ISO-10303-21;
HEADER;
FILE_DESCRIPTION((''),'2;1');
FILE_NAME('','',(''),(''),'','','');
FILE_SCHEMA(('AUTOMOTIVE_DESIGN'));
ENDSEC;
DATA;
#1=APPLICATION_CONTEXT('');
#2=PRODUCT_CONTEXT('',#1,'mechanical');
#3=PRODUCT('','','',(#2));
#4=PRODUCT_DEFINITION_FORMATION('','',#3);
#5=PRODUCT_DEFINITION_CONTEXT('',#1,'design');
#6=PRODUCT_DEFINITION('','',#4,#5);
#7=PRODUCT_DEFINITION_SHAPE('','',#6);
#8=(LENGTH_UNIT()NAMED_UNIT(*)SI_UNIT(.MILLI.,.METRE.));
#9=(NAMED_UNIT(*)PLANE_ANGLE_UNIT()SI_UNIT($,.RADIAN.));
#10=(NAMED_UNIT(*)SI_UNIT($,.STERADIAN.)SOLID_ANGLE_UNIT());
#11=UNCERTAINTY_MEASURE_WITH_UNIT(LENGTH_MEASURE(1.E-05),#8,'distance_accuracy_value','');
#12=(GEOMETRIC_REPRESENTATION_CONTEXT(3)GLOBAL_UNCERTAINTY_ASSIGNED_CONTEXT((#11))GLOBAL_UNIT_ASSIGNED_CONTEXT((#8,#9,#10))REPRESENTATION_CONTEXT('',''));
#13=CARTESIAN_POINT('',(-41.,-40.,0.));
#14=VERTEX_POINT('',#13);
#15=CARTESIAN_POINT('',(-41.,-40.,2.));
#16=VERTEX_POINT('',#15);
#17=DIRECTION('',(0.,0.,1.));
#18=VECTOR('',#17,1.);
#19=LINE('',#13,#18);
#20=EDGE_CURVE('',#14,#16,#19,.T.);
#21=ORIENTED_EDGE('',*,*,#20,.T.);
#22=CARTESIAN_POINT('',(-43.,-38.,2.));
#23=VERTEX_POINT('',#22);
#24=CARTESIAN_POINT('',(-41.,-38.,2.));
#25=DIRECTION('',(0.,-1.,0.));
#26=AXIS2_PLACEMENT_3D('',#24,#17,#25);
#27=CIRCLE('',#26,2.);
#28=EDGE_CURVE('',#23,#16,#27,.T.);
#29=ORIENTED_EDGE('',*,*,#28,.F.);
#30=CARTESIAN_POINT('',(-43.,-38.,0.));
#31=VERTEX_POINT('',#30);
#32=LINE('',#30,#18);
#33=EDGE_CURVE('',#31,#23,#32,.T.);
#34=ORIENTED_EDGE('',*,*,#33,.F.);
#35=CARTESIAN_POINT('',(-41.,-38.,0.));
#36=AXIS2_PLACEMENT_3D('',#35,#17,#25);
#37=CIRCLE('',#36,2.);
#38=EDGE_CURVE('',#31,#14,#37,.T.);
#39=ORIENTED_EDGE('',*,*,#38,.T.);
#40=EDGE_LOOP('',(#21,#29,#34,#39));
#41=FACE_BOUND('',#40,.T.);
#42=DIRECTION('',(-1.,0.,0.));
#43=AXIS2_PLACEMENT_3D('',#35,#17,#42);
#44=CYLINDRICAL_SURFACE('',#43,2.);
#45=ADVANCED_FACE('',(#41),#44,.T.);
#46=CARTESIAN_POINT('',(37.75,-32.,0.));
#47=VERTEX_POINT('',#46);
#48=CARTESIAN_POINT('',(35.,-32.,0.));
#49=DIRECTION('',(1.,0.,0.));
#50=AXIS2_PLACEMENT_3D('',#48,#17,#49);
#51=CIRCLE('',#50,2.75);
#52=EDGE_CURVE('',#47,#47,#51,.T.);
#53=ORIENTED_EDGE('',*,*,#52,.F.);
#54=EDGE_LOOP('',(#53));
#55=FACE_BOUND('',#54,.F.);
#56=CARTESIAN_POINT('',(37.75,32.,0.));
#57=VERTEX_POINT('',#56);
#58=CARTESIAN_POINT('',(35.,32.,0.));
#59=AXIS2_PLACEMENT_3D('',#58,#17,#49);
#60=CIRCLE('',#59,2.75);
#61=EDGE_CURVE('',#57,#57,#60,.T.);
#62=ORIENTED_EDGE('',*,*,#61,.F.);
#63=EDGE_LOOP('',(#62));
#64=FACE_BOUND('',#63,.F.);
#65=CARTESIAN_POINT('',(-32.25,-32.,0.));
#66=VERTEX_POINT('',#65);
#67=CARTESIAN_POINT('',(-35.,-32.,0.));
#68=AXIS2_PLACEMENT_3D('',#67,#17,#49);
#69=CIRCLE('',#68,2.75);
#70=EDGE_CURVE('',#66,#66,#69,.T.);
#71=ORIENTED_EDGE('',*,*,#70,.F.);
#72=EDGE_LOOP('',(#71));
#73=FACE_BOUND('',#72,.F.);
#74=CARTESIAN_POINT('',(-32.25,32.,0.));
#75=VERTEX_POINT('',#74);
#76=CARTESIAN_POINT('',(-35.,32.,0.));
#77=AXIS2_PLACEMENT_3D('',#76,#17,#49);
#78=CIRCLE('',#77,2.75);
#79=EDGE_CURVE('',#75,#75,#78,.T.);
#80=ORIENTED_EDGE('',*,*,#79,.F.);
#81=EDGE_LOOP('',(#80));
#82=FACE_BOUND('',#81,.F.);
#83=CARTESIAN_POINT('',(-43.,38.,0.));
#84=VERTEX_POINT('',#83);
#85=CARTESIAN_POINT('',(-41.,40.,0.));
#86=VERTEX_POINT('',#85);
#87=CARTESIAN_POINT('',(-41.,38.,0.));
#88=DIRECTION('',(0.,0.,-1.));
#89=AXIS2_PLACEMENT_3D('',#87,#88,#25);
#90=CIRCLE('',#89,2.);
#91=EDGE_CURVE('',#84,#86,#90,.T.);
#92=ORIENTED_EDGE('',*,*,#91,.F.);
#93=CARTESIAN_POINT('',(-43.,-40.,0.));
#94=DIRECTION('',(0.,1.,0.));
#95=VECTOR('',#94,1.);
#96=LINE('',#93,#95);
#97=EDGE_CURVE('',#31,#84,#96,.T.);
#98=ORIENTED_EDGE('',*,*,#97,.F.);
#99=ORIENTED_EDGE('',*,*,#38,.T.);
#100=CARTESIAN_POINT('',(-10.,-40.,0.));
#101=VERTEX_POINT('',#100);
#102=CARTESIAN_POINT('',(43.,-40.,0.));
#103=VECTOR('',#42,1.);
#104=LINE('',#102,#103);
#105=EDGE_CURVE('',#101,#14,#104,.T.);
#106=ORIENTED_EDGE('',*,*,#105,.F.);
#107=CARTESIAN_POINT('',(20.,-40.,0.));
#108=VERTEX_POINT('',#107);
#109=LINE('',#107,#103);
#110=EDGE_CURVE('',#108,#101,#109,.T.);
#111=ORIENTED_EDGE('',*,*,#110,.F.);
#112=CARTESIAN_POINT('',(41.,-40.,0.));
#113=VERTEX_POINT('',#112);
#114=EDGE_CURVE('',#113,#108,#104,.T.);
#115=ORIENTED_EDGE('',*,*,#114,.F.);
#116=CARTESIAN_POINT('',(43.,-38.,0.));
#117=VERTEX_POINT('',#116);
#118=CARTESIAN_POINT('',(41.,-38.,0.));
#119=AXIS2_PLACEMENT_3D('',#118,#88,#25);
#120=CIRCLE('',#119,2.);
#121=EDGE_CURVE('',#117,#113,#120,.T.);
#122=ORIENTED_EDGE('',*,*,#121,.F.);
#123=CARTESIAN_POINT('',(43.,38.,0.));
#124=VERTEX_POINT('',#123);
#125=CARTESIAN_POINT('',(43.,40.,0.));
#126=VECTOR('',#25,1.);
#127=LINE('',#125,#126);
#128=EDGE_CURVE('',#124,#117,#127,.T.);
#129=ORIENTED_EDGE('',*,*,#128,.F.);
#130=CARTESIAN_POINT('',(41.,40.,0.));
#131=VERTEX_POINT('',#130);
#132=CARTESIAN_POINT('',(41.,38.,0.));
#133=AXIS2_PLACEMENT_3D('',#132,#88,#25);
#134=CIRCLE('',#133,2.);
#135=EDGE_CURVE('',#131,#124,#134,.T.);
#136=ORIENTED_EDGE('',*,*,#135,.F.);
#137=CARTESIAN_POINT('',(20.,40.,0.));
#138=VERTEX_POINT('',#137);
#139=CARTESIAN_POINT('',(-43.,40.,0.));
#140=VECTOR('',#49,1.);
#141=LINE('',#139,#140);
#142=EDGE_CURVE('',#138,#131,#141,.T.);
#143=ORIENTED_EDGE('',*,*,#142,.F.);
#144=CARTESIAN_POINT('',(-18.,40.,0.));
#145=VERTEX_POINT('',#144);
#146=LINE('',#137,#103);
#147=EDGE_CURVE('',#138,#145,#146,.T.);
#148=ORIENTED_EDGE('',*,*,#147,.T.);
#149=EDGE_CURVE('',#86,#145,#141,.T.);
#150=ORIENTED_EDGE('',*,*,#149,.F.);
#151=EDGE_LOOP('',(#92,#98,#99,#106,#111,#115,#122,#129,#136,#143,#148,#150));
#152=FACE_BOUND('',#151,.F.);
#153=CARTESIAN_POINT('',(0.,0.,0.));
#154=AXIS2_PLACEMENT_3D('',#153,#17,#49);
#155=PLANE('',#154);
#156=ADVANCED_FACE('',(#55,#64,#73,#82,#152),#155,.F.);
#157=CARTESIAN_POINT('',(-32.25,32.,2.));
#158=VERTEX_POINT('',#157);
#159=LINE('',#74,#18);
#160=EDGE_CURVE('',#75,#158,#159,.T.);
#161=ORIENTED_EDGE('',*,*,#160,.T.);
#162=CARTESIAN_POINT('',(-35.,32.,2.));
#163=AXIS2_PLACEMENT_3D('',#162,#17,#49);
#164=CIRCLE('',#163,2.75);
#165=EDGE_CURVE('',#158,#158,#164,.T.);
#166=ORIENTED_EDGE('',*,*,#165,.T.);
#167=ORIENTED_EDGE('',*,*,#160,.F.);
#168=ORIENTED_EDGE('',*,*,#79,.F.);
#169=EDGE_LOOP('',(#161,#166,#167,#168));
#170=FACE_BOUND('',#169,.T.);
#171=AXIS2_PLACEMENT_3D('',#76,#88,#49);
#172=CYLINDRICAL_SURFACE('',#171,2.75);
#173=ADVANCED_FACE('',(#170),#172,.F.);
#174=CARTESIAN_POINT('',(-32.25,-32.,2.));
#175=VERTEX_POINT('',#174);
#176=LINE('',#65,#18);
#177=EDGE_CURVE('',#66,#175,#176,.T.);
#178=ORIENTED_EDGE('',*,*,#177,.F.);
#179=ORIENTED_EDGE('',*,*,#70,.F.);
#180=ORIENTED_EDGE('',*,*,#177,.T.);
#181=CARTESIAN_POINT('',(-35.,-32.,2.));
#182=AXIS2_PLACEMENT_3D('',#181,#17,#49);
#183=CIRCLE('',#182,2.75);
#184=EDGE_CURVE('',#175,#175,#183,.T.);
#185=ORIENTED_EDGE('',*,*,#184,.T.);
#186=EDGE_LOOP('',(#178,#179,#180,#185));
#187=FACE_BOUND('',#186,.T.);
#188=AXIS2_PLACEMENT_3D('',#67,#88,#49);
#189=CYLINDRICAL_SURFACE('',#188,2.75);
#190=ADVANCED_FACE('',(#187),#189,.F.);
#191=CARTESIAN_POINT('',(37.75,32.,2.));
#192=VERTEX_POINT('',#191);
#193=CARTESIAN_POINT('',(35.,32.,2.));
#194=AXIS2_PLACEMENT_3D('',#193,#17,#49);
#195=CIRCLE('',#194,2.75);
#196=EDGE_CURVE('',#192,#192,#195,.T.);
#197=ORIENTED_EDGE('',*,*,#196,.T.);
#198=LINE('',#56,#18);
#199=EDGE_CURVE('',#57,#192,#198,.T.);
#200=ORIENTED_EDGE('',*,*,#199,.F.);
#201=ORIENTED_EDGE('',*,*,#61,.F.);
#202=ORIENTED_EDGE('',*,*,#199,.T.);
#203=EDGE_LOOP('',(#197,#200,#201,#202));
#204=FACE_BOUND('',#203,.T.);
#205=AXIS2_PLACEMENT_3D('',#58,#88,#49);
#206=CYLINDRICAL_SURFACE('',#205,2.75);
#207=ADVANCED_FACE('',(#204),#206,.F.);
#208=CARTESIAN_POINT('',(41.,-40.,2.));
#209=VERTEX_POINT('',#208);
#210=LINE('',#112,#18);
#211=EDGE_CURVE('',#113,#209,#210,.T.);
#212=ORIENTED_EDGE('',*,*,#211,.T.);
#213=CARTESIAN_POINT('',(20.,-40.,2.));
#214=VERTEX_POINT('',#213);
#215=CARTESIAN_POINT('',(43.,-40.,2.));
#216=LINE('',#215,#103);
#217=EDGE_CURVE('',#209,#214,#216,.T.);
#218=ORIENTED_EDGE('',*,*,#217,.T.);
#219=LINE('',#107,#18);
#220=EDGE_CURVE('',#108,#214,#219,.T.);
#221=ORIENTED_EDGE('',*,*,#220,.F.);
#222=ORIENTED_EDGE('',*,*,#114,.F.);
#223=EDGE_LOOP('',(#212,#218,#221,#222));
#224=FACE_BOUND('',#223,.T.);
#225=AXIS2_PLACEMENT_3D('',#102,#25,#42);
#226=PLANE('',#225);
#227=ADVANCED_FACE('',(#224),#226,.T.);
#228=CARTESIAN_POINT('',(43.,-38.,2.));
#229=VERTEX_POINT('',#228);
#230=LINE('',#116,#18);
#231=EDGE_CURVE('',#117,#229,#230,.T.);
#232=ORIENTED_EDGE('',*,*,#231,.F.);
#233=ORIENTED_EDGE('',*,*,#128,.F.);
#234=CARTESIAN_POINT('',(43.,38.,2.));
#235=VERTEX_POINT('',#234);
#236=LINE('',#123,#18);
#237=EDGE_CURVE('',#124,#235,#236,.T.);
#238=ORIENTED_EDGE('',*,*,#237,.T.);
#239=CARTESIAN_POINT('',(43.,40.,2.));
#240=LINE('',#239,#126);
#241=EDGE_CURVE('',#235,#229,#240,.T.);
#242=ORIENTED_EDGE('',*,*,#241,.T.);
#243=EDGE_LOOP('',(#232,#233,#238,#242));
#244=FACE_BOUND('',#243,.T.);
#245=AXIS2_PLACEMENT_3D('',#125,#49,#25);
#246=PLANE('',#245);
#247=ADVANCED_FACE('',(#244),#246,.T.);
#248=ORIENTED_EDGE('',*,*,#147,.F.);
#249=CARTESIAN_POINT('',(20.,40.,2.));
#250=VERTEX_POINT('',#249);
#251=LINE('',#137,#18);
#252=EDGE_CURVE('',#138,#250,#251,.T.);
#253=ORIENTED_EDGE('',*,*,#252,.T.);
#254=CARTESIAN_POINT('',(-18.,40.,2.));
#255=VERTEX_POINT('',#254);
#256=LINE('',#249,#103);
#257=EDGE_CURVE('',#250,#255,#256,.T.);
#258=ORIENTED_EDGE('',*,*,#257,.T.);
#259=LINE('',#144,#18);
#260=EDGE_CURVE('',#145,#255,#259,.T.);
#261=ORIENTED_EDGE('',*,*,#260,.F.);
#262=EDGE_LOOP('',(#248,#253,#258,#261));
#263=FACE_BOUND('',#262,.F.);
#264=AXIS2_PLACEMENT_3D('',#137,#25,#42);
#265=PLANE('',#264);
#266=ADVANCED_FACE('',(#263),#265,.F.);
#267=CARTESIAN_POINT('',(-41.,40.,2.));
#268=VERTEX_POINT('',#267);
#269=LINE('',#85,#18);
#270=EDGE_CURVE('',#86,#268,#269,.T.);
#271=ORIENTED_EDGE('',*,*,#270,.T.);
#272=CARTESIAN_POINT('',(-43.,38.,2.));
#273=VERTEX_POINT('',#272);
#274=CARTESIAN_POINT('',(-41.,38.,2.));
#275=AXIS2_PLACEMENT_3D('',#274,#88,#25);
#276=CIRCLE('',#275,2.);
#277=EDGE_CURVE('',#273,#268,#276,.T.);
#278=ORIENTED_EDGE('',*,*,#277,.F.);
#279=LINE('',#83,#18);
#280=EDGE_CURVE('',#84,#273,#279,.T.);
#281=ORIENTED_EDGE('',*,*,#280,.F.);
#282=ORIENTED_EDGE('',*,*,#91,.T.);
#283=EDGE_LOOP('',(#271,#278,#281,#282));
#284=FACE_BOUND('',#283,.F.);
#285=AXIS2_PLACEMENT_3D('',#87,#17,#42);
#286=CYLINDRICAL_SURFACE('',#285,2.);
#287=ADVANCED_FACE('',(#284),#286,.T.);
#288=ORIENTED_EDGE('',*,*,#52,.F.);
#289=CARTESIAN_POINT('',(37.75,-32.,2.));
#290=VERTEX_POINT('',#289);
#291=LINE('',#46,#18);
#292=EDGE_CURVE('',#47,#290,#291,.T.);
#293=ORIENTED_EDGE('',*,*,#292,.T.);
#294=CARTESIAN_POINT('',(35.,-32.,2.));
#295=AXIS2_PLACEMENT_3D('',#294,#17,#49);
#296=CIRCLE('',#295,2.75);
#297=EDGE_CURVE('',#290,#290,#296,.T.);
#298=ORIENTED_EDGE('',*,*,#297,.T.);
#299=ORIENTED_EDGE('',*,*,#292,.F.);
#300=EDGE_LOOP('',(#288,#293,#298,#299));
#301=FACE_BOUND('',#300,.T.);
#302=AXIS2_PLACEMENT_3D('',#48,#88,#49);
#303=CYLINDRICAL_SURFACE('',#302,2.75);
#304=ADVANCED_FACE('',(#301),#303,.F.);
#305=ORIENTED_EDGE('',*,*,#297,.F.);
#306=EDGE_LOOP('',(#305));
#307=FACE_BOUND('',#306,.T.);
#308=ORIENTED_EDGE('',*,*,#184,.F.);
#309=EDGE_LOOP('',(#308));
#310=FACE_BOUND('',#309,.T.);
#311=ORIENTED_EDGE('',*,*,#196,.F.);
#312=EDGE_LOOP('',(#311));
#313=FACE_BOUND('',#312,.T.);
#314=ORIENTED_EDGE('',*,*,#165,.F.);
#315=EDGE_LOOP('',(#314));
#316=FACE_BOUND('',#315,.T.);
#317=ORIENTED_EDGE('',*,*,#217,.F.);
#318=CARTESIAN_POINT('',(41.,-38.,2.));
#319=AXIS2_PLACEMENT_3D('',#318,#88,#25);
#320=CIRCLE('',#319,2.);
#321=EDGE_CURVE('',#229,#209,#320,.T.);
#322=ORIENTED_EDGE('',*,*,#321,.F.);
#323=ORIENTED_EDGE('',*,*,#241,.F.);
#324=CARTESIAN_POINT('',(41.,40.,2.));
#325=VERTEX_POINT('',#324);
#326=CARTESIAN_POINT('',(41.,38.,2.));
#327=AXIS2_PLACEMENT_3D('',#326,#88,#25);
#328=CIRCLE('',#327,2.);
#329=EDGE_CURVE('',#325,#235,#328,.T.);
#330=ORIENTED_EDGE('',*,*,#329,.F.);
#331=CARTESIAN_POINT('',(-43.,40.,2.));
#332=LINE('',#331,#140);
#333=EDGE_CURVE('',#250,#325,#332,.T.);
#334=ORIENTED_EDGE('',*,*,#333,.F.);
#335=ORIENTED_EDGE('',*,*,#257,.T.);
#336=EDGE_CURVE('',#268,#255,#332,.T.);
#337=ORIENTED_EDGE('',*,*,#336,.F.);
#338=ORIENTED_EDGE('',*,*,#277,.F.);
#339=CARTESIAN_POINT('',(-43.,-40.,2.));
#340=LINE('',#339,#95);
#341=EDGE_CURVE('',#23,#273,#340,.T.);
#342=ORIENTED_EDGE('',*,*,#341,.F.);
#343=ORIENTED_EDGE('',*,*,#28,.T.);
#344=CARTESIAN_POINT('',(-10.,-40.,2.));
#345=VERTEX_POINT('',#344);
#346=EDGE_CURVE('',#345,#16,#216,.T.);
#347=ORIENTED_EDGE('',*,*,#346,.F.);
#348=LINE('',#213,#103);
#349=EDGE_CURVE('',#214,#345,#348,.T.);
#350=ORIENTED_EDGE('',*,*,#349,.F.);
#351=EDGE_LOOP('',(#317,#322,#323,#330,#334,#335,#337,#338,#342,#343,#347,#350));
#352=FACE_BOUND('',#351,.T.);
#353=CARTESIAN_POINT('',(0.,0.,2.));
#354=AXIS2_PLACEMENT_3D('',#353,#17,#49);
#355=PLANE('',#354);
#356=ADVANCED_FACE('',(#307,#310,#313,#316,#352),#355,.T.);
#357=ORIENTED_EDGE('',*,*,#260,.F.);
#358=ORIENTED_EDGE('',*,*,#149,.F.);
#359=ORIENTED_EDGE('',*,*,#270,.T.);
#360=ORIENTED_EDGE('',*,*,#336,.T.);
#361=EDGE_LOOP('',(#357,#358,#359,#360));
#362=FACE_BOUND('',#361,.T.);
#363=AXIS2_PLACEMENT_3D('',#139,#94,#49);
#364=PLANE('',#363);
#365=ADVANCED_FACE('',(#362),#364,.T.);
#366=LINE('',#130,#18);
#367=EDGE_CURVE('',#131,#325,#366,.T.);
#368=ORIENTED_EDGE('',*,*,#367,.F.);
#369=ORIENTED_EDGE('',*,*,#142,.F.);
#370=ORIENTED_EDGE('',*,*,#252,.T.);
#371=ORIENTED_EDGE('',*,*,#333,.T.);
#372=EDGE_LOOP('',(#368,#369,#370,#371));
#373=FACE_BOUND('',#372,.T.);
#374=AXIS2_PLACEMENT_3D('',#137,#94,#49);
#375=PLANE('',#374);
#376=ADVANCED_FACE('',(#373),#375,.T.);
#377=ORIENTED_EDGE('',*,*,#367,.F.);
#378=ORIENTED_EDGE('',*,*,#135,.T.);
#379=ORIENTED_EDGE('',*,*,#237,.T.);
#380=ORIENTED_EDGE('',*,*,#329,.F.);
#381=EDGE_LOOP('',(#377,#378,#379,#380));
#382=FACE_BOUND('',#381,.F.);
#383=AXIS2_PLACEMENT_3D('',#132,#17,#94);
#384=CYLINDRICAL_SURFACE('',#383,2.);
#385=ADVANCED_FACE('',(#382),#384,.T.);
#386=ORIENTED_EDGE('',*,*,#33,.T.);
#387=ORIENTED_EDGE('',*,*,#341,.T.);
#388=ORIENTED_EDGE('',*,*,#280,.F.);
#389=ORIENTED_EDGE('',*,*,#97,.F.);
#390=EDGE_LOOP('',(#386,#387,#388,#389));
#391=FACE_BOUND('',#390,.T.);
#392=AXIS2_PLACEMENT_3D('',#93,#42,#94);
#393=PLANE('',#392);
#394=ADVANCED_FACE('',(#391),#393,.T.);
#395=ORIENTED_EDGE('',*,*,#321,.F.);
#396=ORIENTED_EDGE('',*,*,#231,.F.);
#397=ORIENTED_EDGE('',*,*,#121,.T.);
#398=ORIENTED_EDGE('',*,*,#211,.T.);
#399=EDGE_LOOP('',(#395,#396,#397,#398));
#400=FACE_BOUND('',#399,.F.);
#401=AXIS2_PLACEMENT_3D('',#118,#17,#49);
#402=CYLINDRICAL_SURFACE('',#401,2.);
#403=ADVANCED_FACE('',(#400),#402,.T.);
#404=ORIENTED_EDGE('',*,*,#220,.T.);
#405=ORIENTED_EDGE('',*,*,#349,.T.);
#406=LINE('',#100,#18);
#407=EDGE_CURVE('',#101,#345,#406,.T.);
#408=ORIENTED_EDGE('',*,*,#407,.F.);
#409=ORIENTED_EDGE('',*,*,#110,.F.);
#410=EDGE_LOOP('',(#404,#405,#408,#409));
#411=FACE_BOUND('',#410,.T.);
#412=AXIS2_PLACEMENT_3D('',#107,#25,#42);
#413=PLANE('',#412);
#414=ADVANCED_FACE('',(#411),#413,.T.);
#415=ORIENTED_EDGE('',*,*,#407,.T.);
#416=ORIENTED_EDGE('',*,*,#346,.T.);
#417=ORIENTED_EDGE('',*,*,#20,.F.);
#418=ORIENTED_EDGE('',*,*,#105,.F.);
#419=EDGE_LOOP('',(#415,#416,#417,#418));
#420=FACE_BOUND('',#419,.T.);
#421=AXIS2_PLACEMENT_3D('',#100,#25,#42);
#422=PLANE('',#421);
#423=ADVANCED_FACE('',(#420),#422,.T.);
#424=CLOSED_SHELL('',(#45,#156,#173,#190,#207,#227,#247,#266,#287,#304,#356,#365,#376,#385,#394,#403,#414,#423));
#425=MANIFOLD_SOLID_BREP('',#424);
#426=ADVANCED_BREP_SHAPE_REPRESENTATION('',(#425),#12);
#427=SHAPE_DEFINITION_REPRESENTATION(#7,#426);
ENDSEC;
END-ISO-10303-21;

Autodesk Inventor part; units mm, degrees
ref_plane "YZ Plane" through (0, 0, 0) normal (1, 0, 0) x (0, 1, 0)
ref_plane "XZ Plane" through (0, 0, 0) normal (0, 1, 0) x (-1, 0, 0)
ref_plane "XY Plane" through (0, 0, 0) normal (0, 0, 1) x (1, 0, 0)
sketch "Sketch13" plane through (0, 0, 0) normal (0, 0, 1) x (1, 0, 0)
  line L0 (-43, -40) -> (-43, 40)
  circle A0 centre (-35, 32) radius 2.75
  circle A1 centre (-35, -32) radius 2.75
  line L1 (-43, 40) -> (43, 40)
  line L2 (43, 40) -> (43, -40)
  line L3 (43, -40) -> (-43, -40)
  line L4 (0, 40) -> (0, -40) construction
  line L5 (-20, 40) -> (-20, -40) construction
  line L6 (20, 40) -> (20, -40) construction
  line L7 (-43, 0) -> (43, 0) construction
  circle A2 centre (35, 32) radius 2.75
  circle A3 centre (35, -32) radius 2.75
  line L8 (20, 40) -> (-18, 40)
  line L9 (20, -40) -> (-10, -40)
  point P0 (0, 0)
  point P1 (40, 0)
  point P2 (0, 0)
  dimension "d96" = 80
  dimension "d100" = 5.5
  dimension "d101" = 8
  dimension "d106" = 40
  dimension "d107" = 8
  dimension "d111" = 23
extrude "Plate6" add sketch "Sketch13" along normal blind 2
fillet "Fillet4" radius 2 4 edges at (43, 40, 1) (-43, 40, 1) (-43, -40, 1) (43, -40, 1)
equation "\"d108\" = Thickness"
equation "\"BendRadius\" = Thickness"
equation "\"BendReliefWidth\" = Thickness"
equation "\"BendReliefDepth\" = 0.5 * Thickness"
equation "\"CornerReliefSize\" = 4 * Thickness"
equation "\"MinimumRemnant\" = 2 * Thickness"
equation "\"TransitionRadius\" = BendRadius"
equation "\"JacobiRadiusSize\" = BendRadius"
equation "\"GapSize\" = Thickness"
equation "\"Thickness\" = 2"
properties part number "NDM 7.47 bracket floor pillar"
